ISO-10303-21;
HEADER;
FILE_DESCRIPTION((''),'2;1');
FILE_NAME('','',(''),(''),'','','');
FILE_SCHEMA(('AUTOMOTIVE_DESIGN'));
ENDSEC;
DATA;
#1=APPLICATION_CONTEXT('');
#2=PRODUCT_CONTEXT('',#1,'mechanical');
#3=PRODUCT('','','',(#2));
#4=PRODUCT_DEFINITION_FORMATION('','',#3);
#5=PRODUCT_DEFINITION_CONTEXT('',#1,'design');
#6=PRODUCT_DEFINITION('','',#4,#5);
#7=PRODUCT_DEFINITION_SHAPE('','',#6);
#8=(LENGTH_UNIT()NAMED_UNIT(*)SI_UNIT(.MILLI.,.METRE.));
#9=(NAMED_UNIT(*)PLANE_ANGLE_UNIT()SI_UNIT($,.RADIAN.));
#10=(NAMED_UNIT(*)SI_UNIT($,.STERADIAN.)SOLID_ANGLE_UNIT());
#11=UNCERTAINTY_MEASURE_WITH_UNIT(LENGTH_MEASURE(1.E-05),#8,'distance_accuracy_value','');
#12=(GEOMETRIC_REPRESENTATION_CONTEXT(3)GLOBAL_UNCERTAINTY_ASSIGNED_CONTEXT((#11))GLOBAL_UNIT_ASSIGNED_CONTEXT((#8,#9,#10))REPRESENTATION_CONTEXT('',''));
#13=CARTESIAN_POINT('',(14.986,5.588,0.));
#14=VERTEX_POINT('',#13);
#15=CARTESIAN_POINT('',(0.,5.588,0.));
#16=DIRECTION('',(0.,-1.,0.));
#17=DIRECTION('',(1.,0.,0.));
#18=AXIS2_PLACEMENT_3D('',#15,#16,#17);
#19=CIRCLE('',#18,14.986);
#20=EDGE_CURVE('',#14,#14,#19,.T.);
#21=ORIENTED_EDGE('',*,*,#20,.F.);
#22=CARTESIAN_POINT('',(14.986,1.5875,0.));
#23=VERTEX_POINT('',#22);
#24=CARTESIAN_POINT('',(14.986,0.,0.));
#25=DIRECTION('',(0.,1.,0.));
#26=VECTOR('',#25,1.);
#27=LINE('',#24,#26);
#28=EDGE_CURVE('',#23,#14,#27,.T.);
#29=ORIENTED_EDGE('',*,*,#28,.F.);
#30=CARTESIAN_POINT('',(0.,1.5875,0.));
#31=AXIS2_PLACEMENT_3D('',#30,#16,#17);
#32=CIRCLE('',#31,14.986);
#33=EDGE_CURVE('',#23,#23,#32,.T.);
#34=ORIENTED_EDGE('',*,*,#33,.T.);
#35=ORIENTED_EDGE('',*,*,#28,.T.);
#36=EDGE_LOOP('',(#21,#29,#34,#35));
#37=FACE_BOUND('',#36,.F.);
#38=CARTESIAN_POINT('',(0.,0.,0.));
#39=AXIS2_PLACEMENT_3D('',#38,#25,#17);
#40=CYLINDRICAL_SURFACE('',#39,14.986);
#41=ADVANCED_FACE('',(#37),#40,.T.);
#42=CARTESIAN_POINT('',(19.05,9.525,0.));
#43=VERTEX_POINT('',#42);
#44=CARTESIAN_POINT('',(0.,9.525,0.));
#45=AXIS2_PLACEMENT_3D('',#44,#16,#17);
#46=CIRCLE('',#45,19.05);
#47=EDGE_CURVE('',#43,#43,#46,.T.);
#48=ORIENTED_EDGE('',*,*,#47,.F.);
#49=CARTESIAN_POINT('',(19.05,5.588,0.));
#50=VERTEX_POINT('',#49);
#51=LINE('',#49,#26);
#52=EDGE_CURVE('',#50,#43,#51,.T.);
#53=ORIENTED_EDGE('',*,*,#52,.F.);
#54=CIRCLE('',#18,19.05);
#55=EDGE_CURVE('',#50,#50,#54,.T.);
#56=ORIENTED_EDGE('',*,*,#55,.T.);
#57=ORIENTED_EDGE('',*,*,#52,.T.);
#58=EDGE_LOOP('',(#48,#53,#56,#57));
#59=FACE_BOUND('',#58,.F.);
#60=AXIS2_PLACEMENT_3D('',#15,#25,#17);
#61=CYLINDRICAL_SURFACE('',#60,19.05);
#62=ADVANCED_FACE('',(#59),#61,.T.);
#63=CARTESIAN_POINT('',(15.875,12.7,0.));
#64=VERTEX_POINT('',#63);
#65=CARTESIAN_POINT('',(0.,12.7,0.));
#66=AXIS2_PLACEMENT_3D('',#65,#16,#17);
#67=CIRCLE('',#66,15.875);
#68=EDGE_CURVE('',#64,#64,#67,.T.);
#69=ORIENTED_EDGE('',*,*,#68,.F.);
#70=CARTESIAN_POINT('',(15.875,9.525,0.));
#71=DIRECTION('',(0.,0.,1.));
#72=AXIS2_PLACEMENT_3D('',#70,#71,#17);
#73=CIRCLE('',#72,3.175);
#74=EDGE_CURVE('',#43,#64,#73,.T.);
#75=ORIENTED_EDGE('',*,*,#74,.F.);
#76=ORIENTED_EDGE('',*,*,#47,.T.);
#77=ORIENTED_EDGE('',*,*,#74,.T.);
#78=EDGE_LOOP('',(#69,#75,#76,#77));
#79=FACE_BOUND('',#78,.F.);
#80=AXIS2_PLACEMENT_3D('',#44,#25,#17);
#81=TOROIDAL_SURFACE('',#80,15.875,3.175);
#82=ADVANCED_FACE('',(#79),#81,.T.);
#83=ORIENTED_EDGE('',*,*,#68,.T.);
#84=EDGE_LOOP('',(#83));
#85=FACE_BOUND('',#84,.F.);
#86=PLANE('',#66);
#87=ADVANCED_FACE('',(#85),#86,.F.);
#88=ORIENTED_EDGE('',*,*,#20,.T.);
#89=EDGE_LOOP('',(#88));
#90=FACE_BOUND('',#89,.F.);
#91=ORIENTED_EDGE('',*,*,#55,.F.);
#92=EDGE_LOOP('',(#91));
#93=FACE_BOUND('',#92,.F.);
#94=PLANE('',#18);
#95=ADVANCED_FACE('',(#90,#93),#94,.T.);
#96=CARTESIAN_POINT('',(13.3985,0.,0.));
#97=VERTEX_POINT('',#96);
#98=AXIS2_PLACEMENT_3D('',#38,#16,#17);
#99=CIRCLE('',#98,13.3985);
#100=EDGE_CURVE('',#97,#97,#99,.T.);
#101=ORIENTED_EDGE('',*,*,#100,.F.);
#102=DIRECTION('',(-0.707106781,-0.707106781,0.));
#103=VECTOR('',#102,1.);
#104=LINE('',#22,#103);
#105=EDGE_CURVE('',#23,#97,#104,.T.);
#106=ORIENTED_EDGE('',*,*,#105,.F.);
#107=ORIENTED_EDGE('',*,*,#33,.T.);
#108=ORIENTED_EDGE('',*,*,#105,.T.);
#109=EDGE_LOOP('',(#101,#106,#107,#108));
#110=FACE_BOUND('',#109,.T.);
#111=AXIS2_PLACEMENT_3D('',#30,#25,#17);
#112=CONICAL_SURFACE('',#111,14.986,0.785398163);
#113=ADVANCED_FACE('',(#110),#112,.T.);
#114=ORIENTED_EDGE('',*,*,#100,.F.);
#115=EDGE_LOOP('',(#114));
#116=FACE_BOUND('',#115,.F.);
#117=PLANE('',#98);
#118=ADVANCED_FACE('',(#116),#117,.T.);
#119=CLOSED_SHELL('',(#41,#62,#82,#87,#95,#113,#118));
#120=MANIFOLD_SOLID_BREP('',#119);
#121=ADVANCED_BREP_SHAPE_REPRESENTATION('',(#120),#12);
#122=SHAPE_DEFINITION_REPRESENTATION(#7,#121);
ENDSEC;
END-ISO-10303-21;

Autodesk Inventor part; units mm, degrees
ref_plane "YZ Plane" through (0, 0, 0) normal (1, 0, 0) x (0, 1, 0)
ref_plane "XZ Plane" through (0, 0, 0) normal (0, 1, 0) x (-1, 0, 0)
ref_plane "XY Plane" through (0, 0, 0) normal (0, 0, 1) x (1, 0, 0)
sketch "Sketch1" plane through (0, 0, 0) normal (0, 0, 1) x (1, 0, 0)
  line L0 (0, 0) -> (14.986, 0)
  line L1 (14.986, 0) -> (14.986, 5.588)
  line L2 (14.986, 5.588) -> (0, 5.588)
  line L3 (0, 5.588) -> (0, 0)
  line L4 (0, 5.588) -> (19.05, 5.588)
  line L5 (19.05, 5.588) -> (19.05, 9.525)
  line L6 (15.875, 12.7) -> (0, 12.7)
  line L7 (0, 12.7) -> (0, 5.588)
  arc A0 (19.05, 9.525) -> (15.875, 12.7) centre (15.875, 9.525) ccw
  dimension "d0" = 14.986
  dimension "d1" = 5.588
  dimension "d2" = 19.05
  dimension "d3" = 12.7
  dimension "d4" = 3.175
revolve "Revolution1" add sketch "Sketch1" angle 360 about axis through (0, 5.588, 0) along (0, -1, 0)
chamfer "Chamfer1" distance 1.5875 angle 45 1 edges at (-14.986, 0, 0)
properties part number "2016.06.09 Judson M204 bung cover"
